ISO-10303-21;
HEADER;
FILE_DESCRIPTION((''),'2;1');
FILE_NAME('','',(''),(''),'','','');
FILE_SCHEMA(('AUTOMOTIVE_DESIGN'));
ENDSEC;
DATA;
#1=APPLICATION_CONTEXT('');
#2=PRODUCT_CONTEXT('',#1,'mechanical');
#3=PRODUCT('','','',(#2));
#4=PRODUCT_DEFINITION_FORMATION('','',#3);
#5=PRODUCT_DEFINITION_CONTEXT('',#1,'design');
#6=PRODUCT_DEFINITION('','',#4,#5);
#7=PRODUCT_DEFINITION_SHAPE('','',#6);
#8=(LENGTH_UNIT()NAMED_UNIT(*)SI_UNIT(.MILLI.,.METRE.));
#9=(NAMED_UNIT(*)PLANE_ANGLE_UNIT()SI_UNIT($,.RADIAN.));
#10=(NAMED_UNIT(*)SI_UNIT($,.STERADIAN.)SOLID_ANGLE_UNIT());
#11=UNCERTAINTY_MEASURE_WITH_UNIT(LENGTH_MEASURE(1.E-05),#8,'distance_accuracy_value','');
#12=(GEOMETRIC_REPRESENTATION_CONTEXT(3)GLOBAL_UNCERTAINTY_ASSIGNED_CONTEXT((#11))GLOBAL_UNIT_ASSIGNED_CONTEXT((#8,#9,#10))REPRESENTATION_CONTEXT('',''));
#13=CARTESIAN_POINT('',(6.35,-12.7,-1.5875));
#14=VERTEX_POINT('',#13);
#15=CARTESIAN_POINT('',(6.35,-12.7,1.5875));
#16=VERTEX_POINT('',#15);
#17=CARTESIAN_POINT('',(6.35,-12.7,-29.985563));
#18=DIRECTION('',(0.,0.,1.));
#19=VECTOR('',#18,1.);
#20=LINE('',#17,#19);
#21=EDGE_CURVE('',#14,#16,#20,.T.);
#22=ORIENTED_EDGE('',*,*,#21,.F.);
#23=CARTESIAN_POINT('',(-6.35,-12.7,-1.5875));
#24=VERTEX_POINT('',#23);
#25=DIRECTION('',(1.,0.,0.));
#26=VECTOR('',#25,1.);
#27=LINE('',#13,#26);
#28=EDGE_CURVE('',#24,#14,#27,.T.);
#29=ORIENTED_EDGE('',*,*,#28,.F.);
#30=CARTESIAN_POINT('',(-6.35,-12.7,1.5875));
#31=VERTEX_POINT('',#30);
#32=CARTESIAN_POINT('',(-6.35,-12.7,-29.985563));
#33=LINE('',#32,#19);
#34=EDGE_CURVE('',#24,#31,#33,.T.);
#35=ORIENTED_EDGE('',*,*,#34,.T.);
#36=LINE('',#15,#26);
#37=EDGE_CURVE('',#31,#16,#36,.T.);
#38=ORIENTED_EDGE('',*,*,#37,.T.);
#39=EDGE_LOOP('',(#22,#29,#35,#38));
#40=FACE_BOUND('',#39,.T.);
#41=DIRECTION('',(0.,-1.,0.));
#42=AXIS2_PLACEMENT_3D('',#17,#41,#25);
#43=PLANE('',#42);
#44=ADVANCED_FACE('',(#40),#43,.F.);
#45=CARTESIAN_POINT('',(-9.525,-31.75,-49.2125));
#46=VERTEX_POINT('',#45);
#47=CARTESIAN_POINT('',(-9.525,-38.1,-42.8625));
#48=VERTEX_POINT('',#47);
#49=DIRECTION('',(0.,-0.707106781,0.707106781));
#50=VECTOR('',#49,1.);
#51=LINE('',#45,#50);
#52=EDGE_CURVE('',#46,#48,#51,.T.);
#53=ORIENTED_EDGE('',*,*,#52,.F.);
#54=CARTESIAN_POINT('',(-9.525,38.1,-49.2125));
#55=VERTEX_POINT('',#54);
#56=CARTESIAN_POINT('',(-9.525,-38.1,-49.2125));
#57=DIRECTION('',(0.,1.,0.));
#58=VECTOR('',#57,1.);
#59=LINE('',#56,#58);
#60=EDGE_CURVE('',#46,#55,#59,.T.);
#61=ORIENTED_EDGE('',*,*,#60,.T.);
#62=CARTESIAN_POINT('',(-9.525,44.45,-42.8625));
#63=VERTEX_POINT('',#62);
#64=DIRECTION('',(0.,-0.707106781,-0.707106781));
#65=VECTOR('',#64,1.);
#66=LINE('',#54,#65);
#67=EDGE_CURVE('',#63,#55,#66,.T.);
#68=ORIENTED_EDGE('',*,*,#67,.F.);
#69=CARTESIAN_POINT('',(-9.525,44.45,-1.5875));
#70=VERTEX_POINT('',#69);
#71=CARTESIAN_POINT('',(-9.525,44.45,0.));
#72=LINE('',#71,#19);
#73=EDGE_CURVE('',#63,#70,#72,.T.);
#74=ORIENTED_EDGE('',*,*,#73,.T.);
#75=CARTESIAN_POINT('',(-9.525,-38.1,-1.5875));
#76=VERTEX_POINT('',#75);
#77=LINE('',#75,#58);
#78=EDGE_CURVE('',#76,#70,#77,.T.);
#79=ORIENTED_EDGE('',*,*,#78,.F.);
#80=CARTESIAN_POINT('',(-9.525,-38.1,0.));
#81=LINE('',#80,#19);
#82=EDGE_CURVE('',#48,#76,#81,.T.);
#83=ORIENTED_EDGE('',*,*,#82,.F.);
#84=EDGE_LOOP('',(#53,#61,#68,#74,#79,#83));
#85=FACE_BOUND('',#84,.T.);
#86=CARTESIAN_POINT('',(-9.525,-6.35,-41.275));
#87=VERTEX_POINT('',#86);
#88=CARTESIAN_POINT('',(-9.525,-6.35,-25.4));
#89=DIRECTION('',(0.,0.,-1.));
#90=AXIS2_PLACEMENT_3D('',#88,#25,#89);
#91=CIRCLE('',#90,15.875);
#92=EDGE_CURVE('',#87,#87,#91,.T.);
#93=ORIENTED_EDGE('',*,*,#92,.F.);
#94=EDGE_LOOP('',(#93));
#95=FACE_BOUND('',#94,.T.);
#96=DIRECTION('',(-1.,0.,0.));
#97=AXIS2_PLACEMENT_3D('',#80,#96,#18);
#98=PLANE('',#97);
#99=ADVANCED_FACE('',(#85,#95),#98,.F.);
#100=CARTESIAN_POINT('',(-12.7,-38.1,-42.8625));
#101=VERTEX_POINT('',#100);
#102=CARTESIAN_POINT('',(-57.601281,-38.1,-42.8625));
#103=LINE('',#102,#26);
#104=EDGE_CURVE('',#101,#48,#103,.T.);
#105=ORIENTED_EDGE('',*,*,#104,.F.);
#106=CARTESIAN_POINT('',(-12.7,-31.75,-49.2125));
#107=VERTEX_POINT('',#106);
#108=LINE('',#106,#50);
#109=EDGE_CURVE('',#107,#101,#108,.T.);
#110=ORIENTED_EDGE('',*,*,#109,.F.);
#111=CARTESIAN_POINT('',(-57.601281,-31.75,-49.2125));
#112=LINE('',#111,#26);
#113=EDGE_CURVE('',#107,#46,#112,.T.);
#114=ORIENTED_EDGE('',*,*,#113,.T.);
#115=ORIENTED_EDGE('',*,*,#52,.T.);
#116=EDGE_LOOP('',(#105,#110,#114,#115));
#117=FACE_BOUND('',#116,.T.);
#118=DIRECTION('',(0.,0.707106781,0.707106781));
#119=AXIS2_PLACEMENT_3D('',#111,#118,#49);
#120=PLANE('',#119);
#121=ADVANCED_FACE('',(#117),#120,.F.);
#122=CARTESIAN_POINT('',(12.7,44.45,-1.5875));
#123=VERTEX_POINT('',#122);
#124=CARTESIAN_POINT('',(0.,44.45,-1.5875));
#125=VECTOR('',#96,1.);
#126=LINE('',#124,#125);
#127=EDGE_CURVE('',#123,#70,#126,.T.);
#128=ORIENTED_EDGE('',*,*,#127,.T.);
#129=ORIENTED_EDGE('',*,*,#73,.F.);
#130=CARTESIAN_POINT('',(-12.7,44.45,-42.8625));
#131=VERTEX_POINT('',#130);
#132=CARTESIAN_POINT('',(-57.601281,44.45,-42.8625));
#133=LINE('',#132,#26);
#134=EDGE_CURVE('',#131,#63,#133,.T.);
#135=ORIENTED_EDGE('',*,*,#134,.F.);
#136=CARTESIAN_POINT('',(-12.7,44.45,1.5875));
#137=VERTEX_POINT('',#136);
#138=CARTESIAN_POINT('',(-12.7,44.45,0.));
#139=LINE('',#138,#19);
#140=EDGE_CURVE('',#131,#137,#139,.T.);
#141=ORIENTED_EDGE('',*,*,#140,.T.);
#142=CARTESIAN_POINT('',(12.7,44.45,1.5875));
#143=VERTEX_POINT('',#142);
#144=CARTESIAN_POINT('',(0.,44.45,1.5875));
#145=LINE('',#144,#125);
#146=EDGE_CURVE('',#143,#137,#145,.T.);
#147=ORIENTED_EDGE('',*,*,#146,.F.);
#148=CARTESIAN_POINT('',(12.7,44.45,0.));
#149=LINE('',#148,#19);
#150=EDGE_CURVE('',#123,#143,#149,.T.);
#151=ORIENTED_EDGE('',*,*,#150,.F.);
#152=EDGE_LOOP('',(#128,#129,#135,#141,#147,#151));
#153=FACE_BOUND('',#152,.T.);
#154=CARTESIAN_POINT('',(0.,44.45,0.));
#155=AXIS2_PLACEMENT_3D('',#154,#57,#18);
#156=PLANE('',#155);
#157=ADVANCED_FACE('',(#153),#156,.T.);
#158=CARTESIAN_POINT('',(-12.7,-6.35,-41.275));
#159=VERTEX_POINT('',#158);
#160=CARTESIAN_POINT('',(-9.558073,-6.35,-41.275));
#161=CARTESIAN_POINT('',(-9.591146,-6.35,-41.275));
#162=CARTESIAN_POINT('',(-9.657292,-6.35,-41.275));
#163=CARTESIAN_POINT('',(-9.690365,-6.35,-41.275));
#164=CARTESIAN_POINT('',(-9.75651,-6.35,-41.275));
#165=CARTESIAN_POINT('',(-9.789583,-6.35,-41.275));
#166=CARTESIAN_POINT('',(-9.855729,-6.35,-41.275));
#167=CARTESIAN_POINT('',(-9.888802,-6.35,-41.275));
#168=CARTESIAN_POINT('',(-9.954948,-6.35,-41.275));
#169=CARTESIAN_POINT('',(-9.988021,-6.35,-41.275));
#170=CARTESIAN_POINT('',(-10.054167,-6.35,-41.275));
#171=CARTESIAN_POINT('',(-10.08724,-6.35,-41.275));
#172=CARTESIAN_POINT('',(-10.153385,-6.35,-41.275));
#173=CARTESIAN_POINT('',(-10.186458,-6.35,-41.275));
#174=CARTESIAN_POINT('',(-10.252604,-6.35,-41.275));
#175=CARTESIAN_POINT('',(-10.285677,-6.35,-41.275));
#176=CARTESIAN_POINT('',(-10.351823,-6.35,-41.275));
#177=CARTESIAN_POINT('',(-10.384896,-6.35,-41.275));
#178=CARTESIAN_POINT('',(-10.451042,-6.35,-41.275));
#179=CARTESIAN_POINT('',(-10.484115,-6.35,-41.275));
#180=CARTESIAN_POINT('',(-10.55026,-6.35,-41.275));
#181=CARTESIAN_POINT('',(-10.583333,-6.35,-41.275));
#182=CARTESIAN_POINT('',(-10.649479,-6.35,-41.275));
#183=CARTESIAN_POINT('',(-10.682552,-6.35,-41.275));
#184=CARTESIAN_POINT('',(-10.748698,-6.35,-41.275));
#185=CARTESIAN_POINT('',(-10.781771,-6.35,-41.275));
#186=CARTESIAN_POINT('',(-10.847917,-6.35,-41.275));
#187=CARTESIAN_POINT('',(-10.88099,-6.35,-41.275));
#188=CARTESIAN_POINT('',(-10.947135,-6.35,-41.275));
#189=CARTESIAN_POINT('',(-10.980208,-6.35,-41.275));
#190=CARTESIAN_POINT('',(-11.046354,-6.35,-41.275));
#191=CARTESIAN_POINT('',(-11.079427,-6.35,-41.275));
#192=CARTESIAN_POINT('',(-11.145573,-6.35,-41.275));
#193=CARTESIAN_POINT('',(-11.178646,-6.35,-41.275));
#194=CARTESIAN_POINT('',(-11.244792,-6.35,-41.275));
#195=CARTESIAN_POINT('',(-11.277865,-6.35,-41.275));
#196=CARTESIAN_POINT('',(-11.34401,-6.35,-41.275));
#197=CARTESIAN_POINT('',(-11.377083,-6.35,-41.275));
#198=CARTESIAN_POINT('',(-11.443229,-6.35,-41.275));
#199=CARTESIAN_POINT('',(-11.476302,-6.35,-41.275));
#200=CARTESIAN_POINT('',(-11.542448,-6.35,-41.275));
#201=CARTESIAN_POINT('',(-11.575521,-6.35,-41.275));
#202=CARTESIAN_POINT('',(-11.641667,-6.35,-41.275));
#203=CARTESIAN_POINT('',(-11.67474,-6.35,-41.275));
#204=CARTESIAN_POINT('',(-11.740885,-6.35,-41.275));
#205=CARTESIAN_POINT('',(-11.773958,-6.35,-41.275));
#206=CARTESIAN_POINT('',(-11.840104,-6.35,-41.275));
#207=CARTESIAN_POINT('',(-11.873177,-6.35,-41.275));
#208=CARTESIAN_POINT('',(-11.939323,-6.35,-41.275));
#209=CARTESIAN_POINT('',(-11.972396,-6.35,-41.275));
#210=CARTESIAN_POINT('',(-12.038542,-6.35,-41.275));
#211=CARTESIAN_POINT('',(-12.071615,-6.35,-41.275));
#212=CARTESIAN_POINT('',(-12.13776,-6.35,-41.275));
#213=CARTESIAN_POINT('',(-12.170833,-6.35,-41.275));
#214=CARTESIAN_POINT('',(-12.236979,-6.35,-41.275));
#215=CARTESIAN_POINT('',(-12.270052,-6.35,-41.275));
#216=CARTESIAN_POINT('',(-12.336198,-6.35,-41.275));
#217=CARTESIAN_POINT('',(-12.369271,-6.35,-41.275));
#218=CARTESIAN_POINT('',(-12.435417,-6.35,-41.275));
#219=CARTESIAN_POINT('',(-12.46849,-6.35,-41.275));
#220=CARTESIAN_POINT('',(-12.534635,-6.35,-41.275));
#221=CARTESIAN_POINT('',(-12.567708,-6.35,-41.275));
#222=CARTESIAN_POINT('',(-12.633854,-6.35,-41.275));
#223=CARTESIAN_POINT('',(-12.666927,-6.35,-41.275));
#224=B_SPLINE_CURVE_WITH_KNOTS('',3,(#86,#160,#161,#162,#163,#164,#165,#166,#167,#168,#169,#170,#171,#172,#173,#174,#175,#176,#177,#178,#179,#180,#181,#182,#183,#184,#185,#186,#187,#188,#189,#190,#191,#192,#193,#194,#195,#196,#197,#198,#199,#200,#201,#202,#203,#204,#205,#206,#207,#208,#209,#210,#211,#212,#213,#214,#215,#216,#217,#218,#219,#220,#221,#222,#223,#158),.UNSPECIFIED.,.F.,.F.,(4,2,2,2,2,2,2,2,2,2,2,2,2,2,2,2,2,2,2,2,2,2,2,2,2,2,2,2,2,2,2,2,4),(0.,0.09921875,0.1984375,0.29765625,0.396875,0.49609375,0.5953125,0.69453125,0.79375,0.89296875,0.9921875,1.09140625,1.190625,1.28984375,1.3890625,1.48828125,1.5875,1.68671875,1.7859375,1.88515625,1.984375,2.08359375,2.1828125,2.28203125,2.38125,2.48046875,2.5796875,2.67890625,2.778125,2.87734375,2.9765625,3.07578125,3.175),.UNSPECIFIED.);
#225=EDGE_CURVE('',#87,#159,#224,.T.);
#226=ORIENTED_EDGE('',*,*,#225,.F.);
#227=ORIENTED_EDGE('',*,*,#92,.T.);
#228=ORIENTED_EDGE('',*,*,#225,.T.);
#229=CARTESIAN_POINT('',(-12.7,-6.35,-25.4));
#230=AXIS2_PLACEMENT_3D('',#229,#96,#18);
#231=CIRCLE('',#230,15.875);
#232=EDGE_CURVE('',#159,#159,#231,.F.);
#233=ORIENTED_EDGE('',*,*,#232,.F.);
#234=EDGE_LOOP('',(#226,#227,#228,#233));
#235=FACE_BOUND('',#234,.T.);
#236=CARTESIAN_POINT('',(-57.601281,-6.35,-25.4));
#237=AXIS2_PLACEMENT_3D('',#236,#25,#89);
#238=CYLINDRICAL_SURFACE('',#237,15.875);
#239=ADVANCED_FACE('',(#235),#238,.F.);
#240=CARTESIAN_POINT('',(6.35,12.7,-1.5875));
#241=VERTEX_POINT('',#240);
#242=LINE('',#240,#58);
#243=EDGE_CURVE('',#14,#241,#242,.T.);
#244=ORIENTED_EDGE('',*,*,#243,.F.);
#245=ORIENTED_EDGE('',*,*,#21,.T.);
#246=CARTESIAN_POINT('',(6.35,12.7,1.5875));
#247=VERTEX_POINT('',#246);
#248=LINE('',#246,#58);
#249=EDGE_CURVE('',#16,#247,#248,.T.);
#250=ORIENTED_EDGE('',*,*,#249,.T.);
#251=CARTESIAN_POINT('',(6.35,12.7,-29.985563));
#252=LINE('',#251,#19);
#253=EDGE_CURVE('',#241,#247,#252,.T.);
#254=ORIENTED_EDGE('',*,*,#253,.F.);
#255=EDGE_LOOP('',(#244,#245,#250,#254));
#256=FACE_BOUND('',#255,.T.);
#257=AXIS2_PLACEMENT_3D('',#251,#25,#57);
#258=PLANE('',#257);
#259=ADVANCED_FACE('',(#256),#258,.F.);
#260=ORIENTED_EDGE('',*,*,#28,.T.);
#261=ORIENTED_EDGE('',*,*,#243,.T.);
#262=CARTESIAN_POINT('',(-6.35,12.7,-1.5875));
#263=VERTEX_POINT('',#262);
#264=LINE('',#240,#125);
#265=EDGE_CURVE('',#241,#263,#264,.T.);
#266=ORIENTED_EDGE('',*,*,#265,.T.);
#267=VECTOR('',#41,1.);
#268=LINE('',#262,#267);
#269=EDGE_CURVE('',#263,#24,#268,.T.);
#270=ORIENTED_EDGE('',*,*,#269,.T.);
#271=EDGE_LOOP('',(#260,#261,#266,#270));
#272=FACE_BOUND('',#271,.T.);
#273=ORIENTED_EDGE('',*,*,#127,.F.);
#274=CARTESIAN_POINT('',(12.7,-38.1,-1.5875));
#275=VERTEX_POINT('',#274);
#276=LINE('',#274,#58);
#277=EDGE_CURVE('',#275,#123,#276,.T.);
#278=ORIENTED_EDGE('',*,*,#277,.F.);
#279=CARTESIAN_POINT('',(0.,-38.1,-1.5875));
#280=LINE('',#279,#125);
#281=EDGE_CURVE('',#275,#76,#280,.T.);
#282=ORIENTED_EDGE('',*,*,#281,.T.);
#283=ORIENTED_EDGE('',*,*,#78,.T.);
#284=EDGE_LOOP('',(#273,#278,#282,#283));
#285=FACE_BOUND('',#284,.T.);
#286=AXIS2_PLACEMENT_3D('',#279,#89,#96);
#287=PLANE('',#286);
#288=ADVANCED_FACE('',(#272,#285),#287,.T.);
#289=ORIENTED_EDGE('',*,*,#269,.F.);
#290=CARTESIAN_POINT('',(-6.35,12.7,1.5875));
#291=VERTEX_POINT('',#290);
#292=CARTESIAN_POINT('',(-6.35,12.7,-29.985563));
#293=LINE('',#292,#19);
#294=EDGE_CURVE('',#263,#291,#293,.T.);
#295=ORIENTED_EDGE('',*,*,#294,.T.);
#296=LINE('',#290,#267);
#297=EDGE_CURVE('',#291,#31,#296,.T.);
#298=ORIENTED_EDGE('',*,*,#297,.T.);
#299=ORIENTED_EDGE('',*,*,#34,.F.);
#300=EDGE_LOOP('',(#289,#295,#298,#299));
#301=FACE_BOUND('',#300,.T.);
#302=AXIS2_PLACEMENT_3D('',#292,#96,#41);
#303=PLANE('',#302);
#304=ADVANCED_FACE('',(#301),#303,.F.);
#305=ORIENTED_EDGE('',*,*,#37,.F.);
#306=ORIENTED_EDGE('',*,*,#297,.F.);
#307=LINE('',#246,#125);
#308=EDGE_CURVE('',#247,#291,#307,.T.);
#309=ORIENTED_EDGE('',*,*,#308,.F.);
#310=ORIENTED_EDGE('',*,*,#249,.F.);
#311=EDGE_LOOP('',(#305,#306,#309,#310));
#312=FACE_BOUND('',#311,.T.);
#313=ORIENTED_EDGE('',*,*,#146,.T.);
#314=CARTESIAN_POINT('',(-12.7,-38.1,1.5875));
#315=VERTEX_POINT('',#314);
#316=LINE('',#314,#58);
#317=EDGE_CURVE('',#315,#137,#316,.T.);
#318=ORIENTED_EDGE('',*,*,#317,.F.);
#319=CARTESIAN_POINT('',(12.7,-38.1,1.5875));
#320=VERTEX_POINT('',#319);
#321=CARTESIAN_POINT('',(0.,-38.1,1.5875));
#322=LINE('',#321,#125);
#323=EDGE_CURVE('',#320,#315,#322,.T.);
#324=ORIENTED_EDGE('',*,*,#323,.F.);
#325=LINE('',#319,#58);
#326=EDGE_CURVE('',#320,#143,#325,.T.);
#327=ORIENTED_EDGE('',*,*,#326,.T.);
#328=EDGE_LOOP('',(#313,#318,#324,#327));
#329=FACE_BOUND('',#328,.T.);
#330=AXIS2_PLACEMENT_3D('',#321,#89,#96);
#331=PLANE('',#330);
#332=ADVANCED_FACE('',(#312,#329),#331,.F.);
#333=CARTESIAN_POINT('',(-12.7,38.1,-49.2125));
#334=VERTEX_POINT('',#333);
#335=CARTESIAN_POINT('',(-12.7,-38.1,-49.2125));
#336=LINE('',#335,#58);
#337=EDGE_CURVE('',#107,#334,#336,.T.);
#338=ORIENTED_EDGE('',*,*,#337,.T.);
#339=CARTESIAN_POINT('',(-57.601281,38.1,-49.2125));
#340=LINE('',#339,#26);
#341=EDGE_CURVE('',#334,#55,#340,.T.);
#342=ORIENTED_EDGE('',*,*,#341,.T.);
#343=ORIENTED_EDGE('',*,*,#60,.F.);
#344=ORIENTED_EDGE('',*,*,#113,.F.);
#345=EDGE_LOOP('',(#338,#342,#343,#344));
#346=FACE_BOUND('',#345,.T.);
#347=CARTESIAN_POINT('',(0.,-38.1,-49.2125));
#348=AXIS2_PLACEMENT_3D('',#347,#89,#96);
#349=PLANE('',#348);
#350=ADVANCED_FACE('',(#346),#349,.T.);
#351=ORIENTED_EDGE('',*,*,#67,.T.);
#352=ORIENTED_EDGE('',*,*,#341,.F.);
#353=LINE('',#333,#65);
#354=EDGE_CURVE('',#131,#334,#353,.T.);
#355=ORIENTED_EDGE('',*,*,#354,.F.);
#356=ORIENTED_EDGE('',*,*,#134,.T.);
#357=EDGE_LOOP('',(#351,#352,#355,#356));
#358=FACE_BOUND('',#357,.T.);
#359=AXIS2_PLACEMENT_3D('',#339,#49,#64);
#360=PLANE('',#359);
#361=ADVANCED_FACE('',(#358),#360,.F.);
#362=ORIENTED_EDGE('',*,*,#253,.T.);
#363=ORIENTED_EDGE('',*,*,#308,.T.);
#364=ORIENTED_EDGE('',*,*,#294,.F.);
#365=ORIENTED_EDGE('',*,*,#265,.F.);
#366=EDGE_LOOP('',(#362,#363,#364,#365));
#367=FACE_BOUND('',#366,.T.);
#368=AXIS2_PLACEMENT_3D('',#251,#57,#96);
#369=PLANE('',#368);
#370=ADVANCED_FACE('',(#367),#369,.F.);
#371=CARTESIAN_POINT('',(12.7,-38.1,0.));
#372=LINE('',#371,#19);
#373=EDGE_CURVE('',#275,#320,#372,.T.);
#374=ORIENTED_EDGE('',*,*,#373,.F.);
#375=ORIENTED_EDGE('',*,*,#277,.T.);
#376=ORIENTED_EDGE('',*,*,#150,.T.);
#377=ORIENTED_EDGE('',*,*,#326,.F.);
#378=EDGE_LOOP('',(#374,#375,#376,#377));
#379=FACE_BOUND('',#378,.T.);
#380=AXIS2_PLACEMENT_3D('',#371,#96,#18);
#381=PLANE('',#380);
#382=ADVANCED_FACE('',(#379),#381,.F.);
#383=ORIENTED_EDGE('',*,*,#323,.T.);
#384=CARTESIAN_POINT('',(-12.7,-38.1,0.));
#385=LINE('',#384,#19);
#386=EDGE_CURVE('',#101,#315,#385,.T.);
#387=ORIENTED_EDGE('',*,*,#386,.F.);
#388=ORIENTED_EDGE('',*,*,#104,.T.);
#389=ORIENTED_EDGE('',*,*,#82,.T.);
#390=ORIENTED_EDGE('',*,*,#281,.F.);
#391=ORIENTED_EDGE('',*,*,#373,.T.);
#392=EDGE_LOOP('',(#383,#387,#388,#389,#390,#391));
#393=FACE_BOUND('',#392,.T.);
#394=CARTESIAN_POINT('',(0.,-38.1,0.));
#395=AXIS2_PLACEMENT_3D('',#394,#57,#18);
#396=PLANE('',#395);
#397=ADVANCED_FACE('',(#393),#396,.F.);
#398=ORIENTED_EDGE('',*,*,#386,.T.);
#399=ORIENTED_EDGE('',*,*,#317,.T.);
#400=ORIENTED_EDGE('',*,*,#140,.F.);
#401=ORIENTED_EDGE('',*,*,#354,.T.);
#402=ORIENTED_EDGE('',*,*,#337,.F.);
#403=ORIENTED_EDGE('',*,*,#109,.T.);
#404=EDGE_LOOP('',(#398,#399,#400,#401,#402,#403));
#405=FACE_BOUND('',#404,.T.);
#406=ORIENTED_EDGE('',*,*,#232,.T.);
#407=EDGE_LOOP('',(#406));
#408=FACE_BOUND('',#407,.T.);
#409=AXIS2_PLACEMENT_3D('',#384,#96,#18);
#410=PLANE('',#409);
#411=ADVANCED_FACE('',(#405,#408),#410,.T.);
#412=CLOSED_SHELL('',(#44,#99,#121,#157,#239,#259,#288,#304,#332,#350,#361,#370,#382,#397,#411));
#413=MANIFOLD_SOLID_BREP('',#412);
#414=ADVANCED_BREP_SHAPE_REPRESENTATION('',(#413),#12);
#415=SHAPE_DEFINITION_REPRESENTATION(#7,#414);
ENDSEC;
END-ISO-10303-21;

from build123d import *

# Parameters (mm, degrees)
BOSS_EXTRUDE1_DEPTH      = 44.45
BOSS_EXTRUDE1_DEPTH_BACK = 38.1
SKETCH1_W                = 22.225
SKETCH1_H                = 3.175
SKETCH1_W_2              = 3.175
SKETCH1_H_2              = 47.625
SKETCH2_R                = 15.875
CUT_EXTRUDE1_DEPTH       = 3.175
SKETCH3_W                = 12.7
SKETCH3_H                = 25.4
CUT_EXTRUDE2_DEPTH       = 3.175


with BuildPart() as part:
    # Sketch1 → Boss-Extrude1 (new, two sides: drawn at the far end of the back side and taken through both)
    with BuildSketch(Plane(origin=(0, 0, 0), x_dir=(1, 0, 0), z_dir=(0, 1, 0)).offset(-BOSS_EXTRUDE1_DEPTH_BACK)):
        with Locations((1.5875, 0)):
            Rectangle(SKETCH1_W, SKETCH1_H)
        with Locations((-11.1125, 25.4)):
            Rectangle(SKETCH1_W_2, SKETCH1_H_2)
        with Locations((-11.1125, 0)):
            Rectangle(SKETCH1_W_2, SKETCH1_H)
    extrude(amount=BOSS_EXTRUDE1_DEPTH + BOSS_EXTRUDE1_DEPTH_BACK)

    # Sketch2 → Cut-Extrude1 (cut)
    with BuildSketch(Plane(origin=(-9.525, 0, 0), x_dir=(0, 0, -1), z_dir=(1, 0, 0))):
        with Locations((25.4, -6.35)):
            Circle(SKETCH2_R)
        Polygon((49.2125, 38.1), (42.8625, 44.45), (49.2125, 44.45), align=None)
        Polygon((42.8625, -38.1), (49.2125, -38.1), (49.2125, -31.75), align=None)
    extrude(amount=-CUT_EXTRUDE1_DEPTH, mode=Mode.SUBTRACT)

    # Sketch3 → Cut-Extrude2 (cut)
    with BuildSketch(Plane.XY.offset(1.5875)):
        Rectangle(SKETCH3_W, SKETCH3_H)
    extrude(amount=-CUT_EXTRUDE2_DEPTH, mode=Mode.SUBTRACT)


solid = part.part
